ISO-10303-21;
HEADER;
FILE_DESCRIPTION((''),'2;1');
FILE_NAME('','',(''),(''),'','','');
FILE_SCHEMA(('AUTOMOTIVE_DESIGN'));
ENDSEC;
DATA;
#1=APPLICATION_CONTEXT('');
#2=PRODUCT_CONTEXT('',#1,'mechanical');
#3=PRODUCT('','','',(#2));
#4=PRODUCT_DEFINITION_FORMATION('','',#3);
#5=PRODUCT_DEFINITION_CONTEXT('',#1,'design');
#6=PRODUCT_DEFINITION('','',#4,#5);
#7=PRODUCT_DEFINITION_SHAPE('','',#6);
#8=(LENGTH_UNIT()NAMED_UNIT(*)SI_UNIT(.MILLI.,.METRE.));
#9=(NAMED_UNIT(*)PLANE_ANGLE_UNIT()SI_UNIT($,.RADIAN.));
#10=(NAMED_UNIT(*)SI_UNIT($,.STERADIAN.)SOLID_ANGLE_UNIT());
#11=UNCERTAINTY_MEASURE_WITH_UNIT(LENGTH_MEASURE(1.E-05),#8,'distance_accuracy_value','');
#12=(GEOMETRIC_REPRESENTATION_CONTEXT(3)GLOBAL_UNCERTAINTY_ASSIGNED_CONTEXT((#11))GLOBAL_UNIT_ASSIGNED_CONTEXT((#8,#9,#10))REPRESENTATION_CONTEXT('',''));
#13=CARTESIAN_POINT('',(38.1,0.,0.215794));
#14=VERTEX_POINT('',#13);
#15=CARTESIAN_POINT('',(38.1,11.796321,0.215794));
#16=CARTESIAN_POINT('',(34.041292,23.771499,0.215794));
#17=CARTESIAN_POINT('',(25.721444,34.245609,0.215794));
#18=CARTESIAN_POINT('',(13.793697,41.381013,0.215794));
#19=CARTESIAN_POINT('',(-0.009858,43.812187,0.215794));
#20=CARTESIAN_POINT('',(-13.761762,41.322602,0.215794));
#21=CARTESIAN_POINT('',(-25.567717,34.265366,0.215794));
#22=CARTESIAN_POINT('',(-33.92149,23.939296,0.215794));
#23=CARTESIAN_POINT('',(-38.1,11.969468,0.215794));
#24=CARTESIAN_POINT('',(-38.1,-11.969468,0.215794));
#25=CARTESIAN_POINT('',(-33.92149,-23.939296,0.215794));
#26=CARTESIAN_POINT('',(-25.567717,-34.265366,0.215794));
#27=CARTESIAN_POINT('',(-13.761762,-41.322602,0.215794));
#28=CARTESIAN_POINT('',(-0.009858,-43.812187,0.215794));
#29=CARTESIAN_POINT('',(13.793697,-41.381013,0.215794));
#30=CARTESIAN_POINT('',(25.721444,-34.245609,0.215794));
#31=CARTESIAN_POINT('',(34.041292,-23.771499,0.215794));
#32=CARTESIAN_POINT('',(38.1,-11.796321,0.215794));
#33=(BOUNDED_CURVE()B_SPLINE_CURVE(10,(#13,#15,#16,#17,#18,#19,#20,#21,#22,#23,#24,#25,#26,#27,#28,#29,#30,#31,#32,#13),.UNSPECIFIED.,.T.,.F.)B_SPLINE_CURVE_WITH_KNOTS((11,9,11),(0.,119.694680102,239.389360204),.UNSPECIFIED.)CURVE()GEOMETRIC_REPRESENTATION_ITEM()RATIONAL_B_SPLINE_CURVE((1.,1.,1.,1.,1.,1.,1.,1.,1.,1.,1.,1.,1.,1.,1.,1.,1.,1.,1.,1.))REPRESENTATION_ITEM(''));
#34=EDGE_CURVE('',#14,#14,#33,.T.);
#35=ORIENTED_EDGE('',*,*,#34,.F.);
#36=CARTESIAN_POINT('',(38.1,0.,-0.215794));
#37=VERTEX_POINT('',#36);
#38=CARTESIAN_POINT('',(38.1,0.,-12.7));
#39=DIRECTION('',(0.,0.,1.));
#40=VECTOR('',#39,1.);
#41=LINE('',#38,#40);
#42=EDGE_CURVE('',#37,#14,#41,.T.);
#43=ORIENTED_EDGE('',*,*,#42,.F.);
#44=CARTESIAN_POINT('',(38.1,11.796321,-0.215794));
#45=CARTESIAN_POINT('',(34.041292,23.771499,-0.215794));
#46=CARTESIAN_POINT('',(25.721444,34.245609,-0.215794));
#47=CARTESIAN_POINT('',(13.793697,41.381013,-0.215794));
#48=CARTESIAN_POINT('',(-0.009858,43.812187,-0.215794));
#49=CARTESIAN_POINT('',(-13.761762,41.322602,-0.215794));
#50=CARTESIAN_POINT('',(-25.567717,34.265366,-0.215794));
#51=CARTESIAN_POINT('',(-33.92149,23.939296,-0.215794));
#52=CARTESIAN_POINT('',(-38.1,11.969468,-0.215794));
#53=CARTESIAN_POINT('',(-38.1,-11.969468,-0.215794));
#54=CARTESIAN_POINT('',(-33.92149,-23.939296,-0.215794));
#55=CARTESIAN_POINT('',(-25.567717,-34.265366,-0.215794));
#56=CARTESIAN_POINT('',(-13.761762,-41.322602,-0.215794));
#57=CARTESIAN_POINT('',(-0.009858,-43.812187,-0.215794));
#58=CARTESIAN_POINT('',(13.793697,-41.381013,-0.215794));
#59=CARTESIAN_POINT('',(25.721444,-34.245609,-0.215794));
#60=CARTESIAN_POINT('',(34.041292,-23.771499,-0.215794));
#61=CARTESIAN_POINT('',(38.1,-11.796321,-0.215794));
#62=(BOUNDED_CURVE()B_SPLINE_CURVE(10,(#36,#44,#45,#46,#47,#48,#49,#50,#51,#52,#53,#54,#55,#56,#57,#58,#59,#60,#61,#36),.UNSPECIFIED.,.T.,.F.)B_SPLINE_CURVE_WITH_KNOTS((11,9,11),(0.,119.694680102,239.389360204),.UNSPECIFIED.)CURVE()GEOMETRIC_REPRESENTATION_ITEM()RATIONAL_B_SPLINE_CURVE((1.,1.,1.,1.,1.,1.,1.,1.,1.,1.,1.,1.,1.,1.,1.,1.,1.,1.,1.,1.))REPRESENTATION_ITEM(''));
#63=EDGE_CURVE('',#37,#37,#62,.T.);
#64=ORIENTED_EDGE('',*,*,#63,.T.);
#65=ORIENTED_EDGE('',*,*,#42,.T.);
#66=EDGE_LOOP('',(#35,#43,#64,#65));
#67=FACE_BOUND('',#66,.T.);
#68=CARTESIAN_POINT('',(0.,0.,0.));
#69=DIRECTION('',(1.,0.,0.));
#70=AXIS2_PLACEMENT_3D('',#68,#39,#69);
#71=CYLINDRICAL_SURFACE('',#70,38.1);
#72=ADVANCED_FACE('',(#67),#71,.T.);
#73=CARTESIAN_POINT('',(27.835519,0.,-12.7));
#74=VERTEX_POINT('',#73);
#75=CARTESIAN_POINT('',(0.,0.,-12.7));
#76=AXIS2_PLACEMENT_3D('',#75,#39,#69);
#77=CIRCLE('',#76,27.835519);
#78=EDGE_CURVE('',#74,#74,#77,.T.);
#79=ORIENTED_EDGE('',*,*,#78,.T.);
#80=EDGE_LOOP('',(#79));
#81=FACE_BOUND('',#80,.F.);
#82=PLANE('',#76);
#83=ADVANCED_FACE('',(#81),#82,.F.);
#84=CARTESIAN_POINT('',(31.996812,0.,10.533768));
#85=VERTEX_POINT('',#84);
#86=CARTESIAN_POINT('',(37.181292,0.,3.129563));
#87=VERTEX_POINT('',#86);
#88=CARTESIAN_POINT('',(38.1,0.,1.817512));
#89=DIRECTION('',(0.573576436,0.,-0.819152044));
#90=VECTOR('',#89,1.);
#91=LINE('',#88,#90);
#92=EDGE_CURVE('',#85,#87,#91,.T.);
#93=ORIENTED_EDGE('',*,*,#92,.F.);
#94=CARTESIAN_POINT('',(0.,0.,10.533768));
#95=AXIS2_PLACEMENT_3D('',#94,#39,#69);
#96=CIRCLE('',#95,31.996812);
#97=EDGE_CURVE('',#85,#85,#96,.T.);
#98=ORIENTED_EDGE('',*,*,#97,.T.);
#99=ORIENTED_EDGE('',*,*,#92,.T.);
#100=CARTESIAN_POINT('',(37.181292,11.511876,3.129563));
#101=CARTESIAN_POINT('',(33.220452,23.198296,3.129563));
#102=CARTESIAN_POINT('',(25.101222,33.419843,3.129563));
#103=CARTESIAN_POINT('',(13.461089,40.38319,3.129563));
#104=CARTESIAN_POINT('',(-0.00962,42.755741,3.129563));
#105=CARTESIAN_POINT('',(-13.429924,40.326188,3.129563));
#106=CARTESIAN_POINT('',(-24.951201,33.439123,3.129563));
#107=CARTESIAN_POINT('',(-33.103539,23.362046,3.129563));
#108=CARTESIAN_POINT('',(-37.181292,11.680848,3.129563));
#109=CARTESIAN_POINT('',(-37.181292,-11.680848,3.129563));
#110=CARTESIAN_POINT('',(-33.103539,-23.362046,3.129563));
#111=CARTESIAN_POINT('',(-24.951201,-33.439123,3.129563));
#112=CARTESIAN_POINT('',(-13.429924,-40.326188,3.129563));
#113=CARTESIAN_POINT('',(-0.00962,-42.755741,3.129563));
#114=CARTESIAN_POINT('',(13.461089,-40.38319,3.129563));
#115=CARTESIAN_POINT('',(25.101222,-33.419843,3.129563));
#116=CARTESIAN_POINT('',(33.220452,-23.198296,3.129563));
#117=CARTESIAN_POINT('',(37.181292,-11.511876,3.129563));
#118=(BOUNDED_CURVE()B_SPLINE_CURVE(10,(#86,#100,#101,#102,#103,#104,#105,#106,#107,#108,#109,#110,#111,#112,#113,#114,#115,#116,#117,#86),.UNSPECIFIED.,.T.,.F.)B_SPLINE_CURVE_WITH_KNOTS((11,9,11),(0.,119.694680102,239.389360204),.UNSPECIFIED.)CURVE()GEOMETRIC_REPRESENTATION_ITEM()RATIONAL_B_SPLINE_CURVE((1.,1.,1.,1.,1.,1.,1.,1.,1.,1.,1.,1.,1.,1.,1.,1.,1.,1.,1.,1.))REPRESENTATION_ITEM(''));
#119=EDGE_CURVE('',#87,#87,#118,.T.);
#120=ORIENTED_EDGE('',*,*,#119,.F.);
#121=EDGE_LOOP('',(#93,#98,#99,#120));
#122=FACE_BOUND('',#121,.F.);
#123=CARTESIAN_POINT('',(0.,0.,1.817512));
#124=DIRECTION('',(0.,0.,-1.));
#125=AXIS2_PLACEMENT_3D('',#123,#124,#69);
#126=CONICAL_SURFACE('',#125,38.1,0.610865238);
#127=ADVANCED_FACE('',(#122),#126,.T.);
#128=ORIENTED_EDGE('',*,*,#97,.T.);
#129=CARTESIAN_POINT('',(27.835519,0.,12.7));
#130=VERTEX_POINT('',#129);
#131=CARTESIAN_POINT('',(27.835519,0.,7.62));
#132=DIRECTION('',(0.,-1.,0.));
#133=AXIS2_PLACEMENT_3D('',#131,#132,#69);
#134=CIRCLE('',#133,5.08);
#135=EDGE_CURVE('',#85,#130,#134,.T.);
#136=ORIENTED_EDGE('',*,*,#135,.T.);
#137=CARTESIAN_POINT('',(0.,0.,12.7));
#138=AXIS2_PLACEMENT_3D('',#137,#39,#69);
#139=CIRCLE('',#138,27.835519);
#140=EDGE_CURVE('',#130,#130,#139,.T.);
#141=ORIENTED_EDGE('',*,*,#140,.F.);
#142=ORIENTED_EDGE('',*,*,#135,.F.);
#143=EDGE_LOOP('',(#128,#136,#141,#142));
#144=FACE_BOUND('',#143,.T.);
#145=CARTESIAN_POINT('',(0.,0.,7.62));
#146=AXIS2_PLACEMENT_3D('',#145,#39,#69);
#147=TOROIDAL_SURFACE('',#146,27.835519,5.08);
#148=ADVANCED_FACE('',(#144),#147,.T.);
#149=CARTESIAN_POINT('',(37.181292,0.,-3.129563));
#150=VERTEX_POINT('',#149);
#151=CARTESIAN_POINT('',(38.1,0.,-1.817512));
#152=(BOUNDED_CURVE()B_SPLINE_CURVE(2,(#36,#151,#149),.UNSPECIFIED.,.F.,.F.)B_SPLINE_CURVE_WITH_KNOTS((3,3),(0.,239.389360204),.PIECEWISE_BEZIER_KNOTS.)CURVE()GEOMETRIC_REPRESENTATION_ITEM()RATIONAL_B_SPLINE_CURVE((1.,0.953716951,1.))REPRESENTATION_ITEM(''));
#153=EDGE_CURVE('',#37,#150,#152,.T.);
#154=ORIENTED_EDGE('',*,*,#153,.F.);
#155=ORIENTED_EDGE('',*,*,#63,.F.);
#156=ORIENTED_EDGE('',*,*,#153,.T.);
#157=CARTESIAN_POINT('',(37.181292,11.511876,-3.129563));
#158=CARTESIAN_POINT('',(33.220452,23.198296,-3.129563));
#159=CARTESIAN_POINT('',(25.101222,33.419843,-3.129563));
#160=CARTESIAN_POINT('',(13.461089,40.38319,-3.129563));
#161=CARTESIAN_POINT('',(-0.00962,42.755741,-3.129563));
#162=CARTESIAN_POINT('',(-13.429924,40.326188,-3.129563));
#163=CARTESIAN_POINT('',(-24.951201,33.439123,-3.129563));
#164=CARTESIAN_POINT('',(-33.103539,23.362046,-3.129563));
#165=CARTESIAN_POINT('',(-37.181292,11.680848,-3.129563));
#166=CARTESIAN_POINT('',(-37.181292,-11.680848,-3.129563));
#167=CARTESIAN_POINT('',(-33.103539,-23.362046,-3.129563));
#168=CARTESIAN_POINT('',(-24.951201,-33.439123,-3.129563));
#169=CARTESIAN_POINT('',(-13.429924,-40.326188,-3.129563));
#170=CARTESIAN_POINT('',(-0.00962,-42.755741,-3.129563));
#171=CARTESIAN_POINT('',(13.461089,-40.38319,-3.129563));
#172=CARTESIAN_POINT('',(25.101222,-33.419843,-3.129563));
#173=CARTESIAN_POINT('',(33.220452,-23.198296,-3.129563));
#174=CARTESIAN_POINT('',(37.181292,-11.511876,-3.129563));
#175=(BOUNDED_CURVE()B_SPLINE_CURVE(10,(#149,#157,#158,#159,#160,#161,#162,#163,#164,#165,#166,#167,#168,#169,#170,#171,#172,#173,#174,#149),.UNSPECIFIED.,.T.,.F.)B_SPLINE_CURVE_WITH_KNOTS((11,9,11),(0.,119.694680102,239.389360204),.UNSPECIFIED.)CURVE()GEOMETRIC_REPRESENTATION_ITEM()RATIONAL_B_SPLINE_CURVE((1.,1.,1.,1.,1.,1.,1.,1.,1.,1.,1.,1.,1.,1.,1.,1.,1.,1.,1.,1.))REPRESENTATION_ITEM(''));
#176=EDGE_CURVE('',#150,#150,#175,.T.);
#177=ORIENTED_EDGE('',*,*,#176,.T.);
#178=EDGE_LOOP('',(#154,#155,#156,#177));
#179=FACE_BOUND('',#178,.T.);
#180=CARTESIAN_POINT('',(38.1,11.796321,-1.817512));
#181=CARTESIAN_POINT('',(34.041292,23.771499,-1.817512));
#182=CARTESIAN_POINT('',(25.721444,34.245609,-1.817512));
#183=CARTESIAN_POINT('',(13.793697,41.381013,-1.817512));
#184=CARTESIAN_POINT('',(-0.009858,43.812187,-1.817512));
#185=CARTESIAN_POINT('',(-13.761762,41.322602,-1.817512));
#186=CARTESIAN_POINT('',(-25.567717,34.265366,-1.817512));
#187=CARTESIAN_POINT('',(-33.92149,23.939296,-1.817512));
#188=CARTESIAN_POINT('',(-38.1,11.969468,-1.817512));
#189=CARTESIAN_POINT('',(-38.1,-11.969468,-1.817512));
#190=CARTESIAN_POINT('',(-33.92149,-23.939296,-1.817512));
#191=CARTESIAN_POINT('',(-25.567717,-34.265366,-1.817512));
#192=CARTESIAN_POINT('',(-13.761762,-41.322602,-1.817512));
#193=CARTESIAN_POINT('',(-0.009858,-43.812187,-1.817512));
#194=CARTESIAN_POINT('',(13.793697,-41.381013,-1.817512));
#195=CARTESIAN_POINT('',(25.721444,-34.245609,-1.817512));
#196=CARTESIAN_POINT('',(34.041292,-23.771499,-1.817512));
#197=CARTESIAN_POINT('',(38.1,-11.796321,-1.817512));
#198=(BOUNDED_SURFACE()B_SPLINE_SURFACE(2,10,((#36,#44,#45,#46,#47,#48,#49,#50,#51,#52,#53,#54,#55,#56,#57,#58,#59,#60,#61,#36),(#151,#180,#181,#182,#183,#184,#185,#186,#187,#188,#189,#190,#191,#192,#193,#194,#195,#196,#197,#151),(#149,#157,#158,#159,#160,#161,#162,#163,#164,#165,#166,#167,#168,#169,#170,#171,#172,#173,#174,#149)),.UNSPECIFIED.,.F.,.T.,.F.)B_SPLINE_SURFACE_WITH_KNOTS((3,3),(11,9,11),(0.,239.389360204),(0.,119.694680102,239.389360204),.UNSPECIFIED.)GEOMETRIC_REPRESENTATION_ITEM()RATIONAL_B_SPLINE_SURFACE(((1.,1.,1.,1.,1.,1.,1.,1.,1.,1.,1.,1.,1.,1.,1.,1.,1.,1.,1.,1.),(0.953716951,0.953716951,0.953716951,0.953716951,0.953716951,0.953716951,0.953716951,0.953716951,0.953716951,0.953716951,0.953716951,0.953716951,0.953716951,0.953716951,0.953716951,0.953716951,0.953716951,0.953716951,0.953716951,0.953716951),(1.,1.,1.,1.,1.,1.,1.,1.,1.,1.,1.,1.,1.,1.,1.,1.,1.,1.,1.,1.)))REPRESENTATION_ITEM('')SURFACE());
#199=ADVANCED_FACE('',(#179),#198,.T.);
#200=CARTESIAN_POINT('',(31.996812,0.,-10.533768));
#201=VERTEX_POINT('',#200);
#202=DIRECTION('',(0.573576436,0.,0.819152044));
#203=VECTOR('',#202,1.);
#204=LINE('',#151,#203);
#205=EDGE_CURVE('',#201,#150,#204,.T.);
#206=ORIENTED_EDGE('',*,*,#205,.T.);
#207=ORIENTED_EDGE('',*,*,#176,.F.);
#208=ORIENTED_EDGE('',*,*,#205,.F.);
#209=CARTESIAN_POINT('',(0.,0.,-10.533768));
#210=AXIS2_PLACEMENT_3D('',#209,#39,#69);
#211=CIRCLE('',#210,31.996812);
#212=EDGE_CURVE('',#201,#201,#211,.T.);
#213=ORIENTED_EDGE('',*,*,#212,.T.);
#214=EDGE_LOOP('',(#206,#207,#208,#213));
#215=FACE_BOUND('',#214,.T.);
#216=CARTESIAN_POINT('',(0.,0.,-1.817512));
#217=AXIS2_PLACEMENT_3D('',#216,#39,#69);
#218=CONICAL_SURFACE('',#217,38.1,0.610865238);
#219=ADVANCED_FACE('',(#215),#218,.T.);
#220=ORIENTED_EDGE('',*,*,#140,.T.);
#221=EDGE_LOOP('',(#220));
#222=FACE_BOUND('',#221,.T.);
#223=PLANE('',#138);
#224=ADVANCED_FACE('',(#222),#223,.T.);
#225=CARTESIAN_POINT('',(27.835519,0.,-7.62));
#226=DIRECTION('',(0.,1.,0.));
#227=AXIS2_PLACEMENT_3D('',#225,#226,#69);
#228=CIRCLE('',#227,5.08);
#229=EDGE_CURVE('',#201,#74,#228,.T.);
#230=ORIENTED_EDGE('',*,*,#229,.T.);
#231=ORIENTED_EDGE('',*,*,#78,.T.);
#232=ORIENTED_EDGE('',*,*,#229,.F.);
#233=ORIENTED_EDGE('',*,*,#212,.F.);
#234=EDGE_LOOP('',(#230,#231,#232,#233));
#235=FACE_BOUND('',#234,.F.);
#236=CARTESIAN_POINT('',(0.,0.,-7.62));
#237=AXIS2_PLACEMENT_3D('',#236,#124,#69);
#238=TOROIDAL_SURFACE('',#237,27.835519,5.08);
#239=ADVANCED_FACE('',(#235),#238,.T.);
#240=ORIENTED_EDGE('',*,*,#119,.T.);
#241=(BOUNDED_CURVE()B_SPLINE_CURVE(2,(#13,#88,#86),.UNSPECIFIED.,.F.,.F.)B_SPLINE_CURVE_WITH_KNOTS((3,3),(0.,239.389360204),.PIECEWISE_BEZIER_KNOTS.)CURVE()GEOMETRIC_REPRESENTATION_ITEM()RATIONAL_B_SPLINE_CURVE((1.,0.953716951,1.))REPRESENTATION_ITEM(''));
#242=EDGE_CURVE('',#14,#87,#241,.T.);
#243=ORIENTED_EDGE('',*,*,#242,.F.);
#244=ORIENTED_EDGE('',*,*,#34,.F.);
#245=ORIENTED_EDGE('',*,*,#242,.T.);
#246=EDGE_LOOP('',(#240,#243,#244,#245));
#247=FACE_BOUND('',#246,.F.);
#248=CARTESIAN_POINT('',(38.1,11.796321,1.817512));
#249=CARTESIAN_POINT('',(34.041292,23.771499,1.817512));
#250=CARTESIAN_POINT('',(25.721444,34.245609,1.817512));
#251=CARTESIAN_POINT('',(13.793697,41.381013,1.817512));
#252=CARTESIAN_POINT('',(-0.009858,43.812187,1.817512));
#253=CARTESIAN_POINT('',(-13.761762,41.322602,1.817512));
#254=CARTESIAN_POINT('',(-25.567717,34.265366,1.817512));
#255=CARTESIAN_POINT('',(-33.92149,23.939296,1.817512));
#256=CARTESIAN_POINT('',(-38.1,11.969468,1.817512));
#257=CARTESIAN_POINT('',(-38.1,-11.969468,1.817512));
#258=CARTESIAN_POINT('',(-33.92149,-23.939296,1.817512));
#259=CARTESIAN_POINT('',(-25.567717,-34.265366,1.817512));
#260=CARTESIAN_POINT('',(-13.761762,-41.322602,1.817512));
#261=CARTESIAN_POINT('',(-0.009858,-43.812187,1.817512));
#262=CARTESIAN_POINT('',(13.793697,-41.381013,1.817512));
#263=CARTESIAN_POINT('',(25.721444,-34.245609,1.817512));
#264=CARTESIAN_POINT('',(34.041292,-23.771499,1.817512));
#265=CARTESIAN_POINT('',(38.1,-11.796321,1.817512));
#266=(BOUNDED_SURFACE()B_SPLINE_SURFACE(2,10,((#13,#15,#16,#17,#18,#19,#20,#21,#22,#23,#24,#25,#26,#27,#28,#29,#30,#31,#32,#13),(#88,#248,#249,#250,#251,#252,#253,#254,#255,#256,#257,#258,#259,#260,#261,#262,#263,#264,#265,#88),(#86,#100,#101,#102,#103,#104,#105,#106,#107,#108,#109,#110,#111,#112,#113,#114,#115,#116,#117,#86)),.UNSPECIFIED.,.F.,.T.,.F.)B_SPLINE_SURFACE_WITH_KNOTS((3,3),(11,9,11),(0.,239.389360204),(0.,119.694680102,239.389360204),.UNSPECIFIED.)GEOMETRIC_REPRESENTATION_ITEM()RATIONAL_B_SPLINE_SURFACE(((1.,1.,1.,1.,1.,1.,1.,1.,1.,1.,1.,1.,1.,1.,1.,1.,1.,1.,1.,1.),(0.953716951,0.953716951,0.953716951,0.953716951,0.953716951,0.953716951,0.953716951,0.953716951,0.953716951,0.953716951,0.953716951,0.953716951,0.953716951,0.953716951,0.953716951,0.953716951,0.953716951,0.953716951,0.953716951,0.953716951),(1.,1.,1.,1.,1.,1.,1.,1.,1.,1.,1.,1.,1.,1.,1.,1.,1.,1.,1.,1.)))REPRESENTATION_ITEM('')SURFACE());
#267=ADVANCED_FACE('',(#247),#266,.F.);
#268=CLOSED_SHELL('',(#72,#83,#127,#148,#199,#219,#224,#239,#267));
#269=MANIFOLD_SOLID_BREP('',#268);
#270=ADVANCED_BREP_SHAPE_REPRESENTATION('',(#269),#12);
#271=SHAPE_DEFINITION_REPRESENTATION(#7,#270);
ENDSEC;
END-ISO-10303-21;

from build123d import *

# Parameters (mm, degrees)
F0_R       = 38.1
F1_DEPTH   = 12.7
F2_SIZE2   = 10.8824878114
F2_SIZE    = 7.62
F2_2_SIZE2 = 10.8824878114
F2_2_SIZE  = 7.62
F3_R       = 5.08


with BuildPart() as f1:
    # F0 (on Top) → F1 (new body, symmetric)
    with BuildSketch(Plane.XY):
        Circle(F0_R)
    extrude(amount=F1_DEPTH, both=True)

    # F2
    f2_edges = [f1.edges().sort_by_distance(p)[0] for p in [
        (-38.1, 0, 12.7),
    ]]
    f2_side = f1.faces().sort_by_distance((0, 0, 12.7))[0]
    chamfer(f2_edges, length=F2_SIZE, length2=F2_SIZE2, reference=f2_side)

    # F2#2
    f2_2_edges = [f1.edges().sort_by_distance(p)[0] for p in [
        (-38.1, 0, -12.7),
    ]]
    f2_2_side = f1.faces().sort_by_distance((0, 0, -12.7))[0]
    chamfer(f2_2_edges, length=F2_2_SIZE, length2=F2_2_SIZE2, reference=f2_2_side)

    # F3
    f3_edges = [f1.edges().sort_by_distance(p)[0] for p in [
        (-38.1, 0, 1.817512),
        (-30.48, 0, 12.7),
        (-38.1, 0, -1.817512),
        (-30.48, 0, -12.7),
    ]]
    fillet(f3_edges, radius=F3_R)


solid = f1.part
